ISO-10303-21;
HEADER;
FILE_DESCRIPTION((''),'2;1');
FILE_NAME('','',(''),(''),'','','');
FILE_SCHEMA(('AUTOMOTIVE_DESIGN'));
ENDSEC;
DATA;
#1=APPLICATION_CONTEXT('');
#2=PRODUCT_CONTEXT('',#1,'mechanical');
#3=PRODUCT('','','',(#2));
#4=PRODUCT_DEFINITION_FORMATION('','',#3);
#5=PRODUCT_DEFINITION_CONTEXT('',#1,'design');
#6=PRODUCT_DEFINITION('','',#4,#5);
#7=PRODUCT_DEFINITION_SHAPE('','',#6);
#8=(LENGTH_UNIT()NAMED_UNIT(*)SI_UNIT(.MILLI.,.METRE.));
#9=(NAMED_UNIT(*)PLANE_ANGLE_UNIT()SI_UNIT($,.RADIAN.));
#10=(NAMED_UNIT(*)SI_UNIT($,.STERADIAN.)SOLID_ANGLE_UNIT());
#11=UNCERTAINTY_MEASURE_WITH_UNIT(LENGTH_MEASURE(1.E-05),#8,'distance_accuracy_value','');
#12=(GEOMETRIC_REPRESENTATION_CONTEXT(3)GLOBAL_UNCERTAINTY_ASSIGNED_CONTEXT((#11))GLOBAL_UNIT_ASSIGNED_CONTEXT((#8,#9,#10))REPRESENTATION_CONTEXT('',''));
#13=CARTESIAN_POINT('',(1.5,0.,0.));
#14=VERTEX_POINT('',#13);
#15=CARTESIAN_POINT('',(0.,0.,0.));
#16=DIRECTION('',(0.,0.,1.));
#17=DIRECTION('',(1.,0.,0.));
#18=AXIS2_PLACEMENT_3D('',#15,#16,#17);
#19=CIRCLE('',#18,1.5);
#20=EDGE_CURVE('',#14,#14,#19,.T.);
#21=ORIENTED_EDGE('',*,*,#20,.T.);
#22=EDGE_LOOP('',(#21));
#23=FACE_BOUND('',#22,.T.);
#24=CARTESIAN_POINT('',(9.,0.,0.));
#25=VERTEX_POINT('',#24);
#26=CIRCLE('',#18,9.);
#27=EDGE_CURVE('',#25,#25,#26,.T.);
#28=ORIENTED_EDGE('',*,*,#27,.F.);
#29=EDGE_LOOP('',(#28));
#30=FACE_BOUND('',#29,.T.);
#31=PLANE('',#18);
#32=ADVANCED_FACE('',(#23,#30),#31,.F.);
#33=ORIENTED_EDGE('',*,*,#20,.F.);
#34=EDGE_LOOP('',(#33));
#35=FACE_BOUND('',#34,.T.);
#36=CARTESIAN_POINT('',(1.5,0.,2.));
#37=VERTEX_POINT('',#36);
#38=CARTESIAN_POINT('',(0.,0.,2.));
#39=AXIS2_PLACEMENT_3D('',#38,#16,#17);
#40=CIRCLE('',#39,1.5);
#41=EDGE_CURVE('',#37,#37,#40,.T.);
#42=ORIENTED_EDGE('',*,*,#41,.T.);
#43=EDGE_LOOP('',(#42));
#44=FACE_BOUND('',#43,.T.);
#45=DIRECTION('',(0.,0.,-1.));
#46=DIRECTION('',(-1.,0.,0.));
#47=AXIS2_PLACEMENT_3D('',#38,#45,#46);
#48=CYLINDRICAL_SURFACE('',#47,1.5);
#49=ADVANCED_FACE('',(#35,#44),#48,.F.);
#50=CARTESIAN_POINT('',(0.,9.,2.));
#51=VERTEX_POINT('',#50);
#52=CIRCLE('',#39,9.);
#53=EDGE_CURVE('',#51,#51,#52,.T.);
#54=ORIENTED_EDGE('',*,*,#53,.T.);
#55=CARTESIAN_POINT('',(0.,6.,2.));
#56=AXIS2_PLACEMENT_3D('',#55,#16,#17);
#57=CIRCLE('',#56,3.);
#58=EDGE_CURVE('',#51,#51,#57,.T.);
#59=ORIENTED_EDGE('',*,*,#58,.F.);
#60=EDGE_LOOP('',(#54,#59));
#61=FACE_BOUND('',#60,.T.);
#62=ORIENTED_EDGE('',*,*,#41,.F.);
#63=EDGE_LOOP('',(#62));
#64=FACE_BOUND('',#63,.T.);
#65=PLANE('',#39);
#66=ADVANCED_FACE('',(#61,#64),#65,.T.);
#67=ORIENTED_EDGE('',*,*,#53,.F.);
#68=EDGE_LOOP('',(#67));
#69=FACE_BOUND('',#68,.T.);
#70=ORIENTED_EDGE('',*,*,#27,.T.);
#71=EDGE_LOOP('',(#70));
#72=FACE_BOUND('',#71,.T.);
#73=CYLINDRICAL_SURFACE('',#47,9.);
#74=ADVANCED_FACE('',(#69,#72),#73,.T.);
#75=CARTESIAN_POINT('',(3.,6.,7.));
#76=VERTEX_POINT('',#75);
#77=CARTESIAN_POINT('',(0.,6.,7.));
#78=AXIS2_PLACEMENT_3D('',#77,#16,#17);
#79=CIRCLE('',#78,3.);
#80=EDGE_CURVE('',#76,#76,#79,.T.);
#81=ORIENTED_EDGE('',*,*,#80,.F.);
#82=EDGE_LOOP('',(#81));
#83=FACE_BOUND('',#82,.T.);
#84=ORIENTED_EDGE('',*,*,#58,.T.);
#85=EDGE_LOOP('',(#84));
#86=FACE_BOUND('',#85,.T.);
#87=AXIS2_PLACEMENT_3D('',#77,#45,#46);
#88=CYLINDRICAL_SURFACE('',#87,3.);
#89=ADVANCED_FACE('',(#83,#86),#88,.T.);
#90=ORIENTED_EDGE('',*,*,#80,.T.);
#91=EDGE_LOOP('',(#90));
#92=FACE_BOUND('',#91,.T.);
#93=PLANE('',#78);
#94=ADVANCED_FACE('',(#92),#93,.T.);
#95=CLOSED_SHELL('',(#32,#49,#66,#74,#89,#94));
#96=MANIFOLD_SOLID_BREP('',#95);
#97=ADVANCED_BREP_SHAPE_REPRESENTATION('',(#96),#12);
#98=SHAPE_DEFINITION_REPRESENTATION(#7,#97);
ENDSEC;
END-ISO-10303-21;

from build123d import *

# Parameters (mm, degrees)
ESBO_O1_R                = 9
ESBO_O1_R_2              = 1.5
RESSALTO_EXTRUS_O1_DEPTH = 2
ESBO_O2_R                = 3
RESSALTO_EXTRUS_O2_DEPTH = 5


with BuildPart() as part:
    # Esboço1 → Ressalto-extrusão1 (new body)
    with BuildSketch(Plane.XY):
        Circle(ESBO_O1_R)
        Circle(ESBO_O1_R_2, mode=Mode.SUBTRACT)
    extrude(amount=RESSALTO_EXTRUS_O1_DEPTH)

    # Esboço2 → Ressalto-extrusão2 (add)
    with BuildSketch(Plane.XY.offset(2)):
        with Locations(Location((0, 6, 0), (0, 0, 90))):
            Circle(ESBO_O2_R)
    extrude(amount=RESSALTO_EXTRUS_O2_DEPTH)


solid = part.part
